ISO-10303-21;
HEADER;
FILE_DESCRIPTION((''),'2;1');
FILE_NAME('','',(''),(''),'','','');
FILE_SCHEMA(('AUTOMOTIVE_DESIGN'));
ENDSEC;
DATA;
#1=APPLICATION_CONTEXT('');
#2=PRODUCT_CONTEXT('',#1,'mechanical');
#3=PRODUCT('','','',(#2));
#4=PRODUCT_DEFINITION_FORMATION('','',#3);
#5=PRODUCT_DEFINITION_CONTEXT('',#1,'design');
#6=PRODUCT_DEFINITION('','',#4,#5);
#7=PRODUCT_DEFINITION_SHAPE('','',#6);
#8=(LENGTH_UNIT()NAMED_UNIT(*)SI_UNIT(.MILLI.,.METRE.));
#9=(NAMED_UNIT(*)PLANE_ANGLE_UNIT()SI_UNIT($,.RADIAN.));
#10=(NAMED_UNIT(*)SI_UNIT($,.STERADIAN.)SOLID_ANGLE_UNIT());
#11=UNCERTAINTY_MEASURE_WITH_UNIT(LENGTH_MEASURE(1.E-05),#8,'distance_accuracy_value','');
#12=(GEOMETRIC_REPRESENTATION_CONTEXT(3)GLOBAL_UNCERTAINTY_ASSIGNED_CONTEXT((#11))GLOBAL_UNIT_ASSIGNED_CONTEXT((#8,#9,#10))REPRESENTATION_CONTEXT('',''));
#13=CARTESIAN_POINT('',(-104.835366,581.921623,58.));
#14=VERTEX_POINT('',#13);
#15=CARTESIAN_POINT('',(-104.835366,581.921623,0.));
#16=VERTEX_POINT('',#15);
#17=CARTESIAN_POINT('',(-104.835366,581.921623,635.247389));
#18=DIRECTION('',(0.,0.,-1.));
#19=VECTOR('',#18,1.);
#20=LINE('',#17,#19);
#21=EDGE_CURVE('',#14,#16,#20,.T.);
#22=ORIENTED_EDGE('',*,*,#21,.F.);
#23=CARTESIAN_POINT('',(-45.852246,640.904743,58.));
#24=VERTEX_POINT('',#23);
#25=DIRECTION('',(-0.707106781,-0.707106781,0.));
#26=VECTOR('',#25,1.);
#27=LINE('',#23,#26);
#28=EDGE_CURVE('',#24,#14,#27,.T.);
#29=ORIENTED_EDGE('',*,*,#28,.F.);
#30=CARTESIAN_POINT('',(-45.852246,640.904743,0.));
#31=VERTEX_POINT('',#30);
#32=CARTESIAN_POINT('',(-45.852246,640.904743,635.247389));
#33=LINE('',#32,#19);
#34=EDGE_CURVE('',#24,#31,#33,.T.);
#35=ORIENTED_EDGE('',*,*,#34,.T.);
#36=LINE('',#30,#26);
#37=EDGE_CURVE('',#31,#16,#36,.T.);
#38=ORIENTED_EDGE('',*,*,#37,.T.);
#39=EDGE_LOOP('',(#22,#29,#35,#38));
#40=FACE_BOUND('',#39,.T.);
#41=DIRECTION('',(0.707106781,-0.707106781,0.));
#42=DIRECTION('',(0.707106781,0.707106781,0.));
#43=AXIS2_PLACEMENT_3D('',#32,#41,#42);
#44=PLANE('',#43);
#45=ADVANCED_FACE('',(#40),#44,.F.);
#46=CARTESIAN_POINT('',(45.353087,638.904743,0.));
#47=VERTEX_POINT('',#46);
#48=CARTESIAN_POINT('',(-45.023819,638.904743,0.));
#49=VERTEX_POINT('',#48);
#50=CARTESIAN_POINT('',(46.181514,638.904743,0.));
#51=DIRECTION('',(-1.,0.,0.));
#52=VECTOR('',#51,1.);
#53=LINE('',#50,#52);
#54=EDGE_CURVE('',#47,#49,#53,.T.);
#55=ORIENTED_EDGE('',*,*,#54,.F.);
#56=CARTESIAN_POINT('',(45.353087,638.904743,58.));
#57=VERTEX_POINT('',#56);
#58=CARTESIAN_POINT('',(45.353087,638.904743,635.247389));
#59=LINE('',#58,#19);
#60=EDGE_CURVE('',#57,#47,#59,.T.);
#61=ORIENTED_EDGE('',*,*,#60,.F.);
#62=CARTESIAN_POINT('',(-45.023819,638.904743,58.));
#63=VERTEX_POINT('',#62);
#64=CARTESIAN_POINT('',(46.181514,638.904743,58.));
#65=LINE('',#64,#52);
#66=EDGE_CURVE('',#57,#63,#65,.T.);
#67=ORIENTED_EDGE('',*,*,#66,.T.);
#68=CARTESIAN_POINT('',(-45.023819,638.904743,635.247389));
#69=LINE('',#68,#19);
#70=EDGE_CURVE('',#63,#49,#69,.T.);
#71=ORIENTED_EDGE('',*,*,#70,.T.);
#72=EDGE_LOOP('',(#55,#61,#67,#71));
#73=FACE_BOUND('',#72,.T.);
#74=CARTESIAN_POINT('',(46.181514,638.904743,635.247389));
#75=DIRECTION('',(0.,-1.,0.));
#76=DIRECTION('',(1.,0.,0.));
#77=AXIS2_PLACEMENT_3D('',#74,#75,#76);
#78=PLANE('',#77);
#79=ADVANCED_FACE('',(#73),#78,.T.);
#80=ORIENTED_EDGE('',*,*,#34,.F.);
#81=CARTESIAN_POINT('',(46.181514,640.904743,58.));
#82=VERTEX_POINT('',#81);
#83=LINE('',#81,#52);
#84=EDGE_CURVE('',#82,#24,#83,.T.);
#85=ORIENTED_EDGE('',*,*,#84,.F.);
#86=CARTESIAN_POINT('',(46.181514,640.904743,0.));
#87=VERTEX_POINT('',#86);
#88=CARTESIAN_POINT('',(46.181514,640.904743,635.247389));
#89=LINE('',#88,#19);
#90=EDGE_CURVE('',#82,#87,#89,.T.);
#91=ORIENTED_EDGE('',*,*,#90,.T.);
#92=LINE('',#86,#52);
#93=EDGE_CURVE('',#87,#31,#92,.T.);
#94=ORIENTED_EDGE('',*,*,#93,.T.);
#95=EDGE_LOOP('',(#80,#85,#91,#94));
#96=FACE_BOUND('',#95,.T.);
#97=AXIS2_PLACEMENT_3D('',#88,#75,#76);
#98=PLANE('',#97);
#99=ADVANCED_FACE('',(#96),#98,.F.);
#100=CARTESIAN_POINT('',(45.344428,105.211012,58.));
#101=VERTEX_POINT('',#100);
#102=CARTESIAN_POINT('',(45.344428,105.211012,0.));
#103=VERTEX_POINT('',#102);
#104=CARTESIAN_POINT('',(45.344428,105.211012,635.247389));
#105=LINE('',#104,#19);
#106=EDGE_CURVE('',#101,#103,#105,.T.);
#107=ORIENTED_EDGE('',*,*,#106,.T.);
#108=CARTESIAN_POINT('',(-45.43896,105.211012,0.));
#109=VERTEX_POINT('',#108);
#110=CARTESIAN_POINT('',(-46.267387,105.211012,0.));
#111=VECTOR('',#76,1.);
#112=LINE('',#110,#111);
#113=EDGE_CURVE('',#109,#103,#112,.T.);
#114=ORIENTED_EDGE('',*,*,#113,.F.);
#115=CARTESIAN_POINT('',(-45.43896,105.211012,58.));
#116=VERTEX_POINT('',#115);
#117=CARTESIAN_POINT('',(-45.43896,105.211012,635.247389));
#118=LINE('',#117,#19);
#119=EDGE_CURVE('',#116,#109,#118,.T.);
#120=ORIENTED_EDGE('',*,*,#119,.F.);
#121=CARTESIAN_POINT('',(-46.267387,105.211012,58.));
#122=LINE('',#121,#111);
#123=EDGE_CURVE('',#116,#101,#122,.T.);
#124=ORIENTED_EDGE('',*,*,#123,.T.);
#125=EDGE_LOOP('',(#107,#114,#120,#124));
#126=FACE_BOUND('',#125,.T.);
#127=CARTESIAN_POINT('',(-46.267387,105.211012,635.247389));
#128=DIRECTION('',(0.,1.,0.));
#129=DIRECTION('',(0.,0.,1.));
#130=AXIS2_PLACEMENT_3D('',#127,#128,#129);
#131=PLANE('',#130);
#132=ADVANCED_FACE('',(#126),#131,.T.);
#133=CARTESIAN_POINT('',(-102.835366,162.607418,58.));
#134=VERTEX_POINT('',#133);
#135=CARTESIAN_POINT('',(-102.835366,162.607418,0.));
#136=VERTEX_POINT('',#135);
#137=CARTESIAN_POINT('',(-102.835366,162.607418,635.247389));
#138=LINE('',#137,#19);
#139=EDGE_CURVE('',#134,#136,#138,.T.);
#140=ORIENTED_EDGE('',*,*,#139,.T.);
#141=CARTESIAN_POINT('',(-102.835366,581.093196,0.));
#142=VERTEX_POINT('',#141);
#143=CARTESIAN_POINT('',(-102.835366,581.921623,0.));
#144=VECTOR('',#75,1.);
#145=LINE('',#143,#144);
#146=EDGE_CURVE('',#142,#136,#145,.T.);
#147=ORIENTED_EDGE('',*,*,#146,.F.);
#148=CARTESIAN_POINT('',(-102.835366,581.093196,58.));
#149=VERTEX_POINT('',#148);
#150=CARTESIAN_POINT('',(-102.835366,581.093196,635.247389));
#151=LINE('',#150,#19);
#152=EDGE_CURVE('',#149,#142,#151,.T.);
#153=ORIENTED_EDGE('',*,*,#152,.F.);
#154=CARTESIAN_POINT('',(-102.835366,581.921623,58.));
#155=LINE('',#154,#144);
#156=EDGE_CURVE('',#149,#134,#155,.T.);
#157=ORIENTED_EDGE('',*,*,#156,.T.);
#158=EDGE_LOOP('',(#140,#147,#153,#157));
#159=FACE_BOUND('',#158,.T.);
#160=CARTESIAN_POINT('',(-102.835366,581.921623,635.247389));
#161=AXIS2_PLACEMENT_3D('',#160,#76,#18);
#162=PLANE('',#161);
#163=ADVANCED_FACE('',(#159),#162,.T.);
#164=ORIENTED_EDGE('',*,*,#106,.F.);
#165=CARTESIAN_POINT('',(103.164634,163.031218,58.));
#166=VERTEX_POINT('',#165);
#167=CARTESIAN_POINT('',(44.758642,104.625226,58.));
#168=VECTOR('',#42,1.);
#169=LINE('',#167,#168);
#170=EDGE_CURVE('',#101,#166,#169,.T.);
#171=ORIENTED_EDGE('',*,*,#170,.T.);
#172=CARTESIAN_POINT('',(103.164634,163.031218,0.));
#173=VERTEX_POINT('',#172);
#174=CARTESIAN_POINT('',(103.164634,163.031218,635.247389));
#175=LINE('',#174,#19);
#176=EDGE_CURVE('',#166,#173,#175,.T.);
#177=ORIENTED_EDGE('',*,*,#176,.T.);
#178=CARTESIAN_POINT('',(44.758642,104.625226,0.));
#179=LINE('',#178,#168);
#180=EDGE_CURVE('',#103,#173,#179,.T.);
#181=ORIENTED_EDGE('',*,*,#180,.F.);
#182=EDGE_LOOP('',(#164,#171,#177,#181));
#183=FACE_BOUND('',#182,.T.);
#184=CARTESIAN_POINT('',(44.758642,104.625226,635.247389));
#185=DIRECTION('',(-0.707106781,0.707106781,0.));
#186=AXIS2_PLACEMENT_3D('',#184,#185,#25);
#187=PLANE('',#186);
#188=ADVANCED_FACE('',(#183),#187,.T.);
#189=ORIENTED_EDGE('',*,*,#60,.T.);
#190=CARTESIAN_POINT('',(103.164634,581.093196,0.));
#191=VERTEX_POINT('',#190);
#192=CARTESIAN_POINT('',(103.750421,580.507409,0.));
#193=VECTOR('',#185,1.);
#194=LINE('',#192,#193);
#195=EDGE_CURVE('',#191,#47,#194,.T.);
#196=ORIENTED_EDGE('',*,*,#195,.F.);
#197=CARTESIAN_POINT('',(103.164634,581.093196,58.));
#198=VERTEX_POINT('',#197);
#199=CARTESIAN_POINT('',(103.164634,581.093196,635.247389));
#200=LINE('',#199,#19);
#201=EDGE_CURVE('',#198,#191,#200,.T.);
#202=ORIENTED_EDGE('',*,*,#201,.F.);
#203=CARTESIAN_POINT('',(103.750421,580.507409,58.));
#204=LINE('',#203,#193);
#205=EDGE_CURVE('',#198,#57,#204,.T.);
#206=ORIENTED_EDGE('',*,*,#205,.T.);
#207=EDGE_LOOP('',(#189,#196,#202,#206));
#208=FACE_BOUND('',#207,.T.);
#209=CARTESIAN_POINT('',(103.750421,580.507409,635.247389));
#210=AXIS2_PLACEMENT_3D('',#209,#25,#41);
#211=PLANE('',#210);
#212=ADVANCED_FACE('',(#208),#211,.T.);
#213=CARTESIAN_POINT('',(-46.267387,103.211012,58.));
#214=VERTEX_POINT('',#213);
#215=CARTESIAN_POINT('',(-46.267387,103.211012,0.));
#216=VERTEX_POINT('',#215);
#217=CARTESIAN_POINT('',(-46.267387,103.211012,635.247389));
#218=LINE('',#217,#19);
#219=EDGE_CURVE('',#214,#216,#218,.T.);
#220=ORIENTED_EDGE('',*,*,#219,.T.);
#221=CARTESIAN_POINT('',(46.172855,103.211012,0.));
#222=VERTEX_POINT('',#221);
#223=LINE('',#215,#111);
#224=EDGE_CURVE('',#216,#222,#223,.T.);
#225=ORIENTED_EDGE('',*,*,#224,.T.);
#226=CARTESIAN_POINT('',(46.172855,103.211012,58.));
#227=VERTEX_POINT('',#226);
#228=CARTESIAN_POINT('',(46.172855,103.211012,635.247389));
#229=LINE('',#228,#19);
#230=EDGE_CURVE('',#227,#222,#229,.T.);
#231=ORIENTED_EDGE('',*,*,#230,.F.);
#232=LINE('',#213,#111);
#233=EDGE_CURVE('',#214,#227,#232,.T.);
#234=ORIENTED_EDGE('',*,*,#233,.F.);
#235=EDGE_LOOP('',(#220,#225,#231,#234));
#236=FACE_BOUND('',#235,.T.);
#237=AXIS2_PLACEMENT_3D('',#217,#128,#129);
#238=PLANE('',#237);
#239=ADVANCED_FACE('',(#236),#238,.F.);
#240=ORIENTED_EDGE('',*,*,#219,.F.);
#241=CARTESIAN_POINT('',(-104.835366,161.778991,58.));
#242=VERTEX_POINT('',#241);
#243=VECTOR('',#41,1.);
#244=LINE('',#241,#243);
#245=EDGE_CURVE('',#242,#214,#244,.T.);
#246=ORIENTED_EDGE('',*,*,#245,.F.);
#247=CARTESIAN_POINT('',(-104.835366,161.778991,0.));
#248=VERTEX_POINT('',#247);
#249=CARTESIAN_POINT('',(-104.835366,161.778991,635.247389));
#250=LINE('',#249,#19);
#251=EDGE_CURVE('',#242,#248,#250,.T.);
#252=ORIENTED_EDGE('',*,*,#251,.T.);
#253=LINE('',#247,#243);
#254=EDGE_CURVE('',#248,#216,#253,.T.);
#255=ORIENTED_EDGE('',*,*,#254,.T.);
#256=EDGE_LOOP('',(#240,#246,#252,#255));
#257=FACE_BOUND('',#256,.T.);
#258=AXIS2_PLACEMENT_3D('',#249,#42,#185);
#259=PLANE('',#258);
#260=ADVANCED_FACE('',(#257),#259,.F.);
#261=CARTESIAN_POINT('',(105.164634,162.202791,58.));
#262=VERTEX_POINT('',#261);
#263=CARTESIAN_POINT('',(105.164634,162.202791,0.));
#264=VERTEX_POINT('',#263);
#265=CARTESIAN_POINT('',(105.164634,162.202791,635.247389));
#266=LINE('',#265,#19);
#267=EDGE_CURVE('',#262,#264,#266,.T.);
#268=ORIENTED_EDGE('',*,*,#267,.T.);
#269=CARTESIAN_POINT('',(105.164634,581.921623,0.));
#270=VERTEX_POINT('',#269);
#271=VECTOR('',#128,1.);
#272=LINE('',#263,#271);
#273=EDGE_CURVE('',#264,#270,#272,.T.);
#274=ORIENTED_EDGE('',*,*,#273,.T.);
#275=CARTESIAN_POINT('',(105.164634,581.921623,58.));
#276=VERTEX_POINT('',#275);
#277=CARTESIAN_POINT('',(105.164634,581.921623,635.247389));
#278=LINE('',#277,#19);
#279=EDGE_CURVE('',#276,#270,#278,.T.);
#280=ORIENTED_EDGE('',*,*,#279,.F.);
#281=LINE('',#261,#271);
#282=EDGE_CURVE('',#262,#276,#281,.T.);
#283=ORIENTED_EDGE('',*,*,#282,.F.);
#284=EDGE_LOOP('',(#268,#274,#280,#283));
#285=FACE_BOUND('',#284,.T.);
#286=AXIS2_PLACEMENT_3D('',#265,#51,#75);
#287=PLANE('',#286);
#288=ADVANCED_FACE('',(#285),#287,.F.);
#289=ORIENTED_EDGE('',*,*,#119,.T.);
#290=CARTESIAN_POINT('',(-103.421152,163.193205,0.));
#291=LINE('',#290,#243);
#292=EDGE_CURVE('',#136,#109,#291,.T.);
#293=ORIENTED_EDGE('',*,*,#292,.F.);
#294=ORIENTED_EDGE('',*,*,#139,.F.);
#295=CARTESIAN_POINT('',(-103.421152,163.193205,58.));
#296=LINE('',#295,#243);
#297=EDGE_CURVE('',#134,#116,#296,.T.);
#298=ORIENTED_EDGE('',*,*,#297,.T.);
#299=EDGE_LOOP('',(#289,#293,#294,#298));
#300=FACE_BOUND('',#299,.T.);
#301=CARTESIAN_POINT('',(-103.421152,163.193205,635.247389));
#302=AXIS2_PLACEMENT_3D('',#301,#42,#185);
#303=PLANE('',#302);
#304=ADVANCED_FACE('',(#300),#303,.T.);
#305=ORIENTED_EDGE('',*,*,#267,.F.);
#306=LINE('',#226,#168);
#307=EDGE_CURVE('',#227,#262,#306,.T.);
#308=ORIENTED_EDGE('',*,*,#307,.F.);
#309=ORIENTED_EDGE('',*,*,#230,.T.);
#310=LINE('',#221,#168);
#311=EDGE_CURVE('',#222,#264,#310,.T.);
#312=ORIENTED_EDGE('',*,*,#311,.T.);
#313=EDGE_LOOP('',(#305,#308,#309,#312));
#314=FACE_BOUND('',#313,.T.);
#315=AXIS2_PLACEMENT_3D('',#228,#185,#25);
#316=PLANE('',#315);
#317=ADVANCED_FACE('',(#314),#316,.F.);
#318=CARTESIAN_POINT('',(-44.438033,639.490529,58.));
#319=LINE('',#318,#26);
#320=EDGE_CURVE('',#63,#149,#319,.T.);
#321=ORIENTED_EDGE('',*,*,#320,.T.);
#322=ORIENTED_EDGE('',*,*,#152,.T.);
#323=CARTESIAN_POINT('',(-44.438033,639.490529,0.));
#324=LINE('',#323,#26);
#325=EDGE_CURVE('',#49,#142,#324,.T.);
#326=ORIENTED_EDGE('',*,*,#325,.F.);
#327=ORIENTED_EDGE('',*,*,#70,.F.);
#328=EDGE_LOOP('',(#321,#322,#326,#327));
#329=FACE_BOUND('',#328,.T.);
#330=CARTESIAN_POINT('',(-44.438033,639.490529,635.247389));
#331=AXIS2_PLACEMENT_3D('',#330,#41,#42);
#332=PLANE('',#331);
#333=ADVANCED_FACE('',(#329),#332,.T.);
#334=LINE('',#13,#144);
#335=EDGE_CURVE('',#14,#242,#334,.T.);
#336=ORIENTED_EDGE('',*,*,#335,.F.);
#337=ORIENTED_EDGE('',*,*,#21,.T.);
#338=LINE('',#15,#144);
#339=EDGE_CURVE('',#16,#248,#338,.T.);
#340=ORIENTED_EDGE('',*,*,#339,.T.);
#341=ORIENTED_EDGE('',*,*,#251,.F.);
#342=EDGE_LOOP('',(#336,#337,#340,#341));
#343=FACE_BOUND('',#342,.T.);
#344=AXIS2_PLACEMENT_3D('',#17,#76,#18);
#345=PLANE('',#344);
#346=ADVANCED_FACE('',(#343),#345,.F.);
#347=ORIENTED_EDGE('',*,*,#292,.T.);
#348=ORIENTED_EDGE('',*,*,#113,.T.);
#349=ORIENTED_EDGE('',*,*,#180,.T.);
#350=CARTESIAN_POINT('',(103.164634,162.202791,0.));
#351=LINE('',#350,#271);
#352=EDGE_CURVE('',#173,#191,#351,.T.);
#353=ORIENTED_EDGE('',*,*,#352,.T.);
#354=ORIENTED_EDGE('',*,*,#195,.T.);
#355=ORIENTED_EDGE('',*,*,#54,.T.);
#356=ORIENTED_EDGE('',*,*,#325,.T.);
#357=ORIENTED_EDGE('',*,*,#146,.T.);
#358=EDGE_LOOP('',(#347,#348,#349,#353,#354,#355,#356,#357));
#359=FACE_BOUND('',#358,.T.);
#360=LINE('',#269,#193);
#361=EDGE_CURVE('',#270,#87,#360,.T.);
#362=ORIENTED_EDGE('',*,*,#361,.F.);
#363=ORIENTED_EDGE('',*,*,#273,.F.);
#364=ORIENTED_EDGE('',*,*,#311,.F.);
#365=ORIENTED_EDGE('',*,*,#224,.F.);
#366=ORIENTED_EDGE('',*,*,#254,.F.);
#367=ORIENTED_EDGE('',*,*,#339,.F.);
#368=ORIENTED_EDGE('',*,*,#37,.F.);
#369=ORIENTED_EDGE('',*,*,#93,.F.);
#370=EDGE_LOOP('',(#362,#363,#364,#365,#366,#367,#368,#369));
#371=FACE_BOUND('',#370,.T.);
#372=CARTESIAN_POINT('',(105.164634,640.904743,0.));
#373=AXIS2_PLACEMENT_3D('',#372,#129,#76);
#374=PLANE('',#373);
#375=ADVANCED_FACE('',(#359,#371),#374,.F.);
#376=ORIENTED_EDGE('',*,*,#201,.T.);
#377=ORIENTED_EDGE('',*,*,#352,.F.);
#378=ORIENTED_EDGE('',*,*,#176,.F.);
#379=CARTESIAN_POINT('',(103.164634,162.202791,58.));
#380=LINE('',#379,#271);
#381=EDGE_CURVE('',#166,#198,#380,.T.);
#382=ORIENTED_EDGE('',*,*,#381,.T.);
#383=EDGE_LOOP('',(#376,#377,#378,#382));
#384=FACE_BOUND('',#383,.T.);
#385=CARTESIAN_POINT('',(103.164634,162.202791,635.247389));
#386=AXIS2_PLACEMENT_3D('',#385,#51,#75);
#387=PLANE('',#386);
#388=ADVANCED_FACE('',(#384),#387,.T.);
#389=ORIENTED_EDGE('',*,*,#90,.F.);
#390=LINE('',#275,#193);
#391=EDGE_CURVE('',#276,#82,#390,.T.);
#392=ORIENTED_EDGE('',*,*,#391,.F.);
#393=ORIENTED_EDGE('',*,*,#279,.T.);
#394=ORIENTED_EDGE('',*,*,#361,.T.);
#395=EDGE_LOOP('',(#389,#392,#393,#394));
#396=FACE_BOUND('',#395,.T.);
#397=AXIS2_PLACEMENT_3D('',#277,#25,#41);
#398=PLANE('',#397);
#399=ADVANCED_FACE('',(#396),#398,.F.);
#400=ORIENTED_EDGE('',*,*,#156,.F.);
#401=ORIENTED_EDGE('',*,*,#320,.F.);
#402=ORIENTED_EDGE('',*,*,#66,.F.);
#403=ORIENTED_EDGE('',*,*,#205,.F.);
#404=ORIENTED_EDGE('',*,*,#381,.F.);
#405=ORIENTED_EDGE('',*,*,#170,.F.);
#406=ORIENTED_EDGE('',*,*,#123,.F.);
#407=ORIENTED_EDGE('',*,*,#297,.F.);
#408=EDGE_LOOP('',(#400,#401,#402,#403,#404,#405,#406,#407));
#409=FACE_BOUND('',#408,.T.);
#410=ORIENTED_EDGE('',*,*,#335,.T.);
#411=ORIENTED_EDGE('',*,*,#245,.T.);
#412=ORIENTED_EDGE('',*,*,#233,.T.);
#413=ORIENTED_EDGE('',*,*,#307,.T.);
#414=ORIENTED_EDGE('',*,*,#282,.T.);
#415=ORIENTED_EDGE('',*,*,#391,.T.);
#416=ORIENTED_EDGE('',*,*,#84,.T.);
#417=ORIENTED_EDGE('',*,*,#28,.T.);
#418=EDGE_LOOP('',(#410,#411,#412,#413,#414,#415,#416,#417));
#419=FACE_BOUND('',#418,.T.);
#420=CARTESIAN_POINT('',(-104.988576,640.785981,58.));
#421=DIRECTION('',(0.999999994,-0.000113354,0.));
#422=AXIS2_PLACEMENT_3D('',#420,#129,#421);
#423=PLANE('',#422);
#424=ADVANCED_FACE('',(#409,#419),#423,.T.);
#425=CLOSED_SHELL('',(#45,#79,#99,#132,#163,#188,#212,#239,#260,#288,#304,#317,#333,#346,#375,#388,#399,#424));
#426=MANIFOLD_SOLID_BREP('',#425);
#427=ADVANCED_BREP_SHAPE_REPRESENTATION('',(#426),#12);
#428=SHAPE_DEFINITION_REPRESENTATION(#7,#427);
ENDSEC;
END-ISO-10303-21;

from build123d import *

# Parameters (mm, degrees)
EXTRUDE_1_DEPTH = 57.999999943


with BuildPart() as part:
    # Эскиз1 → Вытянуть-Тонкостенный1 (new body)
    with BuildSketch(Plane.XY):
        Polygon((105.164634146, 581.921622857), (46.181514364, 640.904742639), (-45.852246073, 640.904742639), (-104.835365854, 581.921622857), (-104.835365854, 161.778991183), (-46.267386785, 103.211012114), (46.172855331, 103.211012114), (105.164634146, 162.202790929), align=None)
        Polygon((103.164634146, 581.093195732), (45.35308724, 638.904742639), (-45.023818948, 638.904742639), (-102.835365854, 581.093195732), (-102.835365854, 162.607418308), (-45.438959661, 105.211012114), (45.344428206, 105.211012114), (103.164634146, 163.031218054), align=None, mode=Mode.SUBTRACT)
    extrude(amount=EXTRUDE_1_DEPTH)


solid = part.part
